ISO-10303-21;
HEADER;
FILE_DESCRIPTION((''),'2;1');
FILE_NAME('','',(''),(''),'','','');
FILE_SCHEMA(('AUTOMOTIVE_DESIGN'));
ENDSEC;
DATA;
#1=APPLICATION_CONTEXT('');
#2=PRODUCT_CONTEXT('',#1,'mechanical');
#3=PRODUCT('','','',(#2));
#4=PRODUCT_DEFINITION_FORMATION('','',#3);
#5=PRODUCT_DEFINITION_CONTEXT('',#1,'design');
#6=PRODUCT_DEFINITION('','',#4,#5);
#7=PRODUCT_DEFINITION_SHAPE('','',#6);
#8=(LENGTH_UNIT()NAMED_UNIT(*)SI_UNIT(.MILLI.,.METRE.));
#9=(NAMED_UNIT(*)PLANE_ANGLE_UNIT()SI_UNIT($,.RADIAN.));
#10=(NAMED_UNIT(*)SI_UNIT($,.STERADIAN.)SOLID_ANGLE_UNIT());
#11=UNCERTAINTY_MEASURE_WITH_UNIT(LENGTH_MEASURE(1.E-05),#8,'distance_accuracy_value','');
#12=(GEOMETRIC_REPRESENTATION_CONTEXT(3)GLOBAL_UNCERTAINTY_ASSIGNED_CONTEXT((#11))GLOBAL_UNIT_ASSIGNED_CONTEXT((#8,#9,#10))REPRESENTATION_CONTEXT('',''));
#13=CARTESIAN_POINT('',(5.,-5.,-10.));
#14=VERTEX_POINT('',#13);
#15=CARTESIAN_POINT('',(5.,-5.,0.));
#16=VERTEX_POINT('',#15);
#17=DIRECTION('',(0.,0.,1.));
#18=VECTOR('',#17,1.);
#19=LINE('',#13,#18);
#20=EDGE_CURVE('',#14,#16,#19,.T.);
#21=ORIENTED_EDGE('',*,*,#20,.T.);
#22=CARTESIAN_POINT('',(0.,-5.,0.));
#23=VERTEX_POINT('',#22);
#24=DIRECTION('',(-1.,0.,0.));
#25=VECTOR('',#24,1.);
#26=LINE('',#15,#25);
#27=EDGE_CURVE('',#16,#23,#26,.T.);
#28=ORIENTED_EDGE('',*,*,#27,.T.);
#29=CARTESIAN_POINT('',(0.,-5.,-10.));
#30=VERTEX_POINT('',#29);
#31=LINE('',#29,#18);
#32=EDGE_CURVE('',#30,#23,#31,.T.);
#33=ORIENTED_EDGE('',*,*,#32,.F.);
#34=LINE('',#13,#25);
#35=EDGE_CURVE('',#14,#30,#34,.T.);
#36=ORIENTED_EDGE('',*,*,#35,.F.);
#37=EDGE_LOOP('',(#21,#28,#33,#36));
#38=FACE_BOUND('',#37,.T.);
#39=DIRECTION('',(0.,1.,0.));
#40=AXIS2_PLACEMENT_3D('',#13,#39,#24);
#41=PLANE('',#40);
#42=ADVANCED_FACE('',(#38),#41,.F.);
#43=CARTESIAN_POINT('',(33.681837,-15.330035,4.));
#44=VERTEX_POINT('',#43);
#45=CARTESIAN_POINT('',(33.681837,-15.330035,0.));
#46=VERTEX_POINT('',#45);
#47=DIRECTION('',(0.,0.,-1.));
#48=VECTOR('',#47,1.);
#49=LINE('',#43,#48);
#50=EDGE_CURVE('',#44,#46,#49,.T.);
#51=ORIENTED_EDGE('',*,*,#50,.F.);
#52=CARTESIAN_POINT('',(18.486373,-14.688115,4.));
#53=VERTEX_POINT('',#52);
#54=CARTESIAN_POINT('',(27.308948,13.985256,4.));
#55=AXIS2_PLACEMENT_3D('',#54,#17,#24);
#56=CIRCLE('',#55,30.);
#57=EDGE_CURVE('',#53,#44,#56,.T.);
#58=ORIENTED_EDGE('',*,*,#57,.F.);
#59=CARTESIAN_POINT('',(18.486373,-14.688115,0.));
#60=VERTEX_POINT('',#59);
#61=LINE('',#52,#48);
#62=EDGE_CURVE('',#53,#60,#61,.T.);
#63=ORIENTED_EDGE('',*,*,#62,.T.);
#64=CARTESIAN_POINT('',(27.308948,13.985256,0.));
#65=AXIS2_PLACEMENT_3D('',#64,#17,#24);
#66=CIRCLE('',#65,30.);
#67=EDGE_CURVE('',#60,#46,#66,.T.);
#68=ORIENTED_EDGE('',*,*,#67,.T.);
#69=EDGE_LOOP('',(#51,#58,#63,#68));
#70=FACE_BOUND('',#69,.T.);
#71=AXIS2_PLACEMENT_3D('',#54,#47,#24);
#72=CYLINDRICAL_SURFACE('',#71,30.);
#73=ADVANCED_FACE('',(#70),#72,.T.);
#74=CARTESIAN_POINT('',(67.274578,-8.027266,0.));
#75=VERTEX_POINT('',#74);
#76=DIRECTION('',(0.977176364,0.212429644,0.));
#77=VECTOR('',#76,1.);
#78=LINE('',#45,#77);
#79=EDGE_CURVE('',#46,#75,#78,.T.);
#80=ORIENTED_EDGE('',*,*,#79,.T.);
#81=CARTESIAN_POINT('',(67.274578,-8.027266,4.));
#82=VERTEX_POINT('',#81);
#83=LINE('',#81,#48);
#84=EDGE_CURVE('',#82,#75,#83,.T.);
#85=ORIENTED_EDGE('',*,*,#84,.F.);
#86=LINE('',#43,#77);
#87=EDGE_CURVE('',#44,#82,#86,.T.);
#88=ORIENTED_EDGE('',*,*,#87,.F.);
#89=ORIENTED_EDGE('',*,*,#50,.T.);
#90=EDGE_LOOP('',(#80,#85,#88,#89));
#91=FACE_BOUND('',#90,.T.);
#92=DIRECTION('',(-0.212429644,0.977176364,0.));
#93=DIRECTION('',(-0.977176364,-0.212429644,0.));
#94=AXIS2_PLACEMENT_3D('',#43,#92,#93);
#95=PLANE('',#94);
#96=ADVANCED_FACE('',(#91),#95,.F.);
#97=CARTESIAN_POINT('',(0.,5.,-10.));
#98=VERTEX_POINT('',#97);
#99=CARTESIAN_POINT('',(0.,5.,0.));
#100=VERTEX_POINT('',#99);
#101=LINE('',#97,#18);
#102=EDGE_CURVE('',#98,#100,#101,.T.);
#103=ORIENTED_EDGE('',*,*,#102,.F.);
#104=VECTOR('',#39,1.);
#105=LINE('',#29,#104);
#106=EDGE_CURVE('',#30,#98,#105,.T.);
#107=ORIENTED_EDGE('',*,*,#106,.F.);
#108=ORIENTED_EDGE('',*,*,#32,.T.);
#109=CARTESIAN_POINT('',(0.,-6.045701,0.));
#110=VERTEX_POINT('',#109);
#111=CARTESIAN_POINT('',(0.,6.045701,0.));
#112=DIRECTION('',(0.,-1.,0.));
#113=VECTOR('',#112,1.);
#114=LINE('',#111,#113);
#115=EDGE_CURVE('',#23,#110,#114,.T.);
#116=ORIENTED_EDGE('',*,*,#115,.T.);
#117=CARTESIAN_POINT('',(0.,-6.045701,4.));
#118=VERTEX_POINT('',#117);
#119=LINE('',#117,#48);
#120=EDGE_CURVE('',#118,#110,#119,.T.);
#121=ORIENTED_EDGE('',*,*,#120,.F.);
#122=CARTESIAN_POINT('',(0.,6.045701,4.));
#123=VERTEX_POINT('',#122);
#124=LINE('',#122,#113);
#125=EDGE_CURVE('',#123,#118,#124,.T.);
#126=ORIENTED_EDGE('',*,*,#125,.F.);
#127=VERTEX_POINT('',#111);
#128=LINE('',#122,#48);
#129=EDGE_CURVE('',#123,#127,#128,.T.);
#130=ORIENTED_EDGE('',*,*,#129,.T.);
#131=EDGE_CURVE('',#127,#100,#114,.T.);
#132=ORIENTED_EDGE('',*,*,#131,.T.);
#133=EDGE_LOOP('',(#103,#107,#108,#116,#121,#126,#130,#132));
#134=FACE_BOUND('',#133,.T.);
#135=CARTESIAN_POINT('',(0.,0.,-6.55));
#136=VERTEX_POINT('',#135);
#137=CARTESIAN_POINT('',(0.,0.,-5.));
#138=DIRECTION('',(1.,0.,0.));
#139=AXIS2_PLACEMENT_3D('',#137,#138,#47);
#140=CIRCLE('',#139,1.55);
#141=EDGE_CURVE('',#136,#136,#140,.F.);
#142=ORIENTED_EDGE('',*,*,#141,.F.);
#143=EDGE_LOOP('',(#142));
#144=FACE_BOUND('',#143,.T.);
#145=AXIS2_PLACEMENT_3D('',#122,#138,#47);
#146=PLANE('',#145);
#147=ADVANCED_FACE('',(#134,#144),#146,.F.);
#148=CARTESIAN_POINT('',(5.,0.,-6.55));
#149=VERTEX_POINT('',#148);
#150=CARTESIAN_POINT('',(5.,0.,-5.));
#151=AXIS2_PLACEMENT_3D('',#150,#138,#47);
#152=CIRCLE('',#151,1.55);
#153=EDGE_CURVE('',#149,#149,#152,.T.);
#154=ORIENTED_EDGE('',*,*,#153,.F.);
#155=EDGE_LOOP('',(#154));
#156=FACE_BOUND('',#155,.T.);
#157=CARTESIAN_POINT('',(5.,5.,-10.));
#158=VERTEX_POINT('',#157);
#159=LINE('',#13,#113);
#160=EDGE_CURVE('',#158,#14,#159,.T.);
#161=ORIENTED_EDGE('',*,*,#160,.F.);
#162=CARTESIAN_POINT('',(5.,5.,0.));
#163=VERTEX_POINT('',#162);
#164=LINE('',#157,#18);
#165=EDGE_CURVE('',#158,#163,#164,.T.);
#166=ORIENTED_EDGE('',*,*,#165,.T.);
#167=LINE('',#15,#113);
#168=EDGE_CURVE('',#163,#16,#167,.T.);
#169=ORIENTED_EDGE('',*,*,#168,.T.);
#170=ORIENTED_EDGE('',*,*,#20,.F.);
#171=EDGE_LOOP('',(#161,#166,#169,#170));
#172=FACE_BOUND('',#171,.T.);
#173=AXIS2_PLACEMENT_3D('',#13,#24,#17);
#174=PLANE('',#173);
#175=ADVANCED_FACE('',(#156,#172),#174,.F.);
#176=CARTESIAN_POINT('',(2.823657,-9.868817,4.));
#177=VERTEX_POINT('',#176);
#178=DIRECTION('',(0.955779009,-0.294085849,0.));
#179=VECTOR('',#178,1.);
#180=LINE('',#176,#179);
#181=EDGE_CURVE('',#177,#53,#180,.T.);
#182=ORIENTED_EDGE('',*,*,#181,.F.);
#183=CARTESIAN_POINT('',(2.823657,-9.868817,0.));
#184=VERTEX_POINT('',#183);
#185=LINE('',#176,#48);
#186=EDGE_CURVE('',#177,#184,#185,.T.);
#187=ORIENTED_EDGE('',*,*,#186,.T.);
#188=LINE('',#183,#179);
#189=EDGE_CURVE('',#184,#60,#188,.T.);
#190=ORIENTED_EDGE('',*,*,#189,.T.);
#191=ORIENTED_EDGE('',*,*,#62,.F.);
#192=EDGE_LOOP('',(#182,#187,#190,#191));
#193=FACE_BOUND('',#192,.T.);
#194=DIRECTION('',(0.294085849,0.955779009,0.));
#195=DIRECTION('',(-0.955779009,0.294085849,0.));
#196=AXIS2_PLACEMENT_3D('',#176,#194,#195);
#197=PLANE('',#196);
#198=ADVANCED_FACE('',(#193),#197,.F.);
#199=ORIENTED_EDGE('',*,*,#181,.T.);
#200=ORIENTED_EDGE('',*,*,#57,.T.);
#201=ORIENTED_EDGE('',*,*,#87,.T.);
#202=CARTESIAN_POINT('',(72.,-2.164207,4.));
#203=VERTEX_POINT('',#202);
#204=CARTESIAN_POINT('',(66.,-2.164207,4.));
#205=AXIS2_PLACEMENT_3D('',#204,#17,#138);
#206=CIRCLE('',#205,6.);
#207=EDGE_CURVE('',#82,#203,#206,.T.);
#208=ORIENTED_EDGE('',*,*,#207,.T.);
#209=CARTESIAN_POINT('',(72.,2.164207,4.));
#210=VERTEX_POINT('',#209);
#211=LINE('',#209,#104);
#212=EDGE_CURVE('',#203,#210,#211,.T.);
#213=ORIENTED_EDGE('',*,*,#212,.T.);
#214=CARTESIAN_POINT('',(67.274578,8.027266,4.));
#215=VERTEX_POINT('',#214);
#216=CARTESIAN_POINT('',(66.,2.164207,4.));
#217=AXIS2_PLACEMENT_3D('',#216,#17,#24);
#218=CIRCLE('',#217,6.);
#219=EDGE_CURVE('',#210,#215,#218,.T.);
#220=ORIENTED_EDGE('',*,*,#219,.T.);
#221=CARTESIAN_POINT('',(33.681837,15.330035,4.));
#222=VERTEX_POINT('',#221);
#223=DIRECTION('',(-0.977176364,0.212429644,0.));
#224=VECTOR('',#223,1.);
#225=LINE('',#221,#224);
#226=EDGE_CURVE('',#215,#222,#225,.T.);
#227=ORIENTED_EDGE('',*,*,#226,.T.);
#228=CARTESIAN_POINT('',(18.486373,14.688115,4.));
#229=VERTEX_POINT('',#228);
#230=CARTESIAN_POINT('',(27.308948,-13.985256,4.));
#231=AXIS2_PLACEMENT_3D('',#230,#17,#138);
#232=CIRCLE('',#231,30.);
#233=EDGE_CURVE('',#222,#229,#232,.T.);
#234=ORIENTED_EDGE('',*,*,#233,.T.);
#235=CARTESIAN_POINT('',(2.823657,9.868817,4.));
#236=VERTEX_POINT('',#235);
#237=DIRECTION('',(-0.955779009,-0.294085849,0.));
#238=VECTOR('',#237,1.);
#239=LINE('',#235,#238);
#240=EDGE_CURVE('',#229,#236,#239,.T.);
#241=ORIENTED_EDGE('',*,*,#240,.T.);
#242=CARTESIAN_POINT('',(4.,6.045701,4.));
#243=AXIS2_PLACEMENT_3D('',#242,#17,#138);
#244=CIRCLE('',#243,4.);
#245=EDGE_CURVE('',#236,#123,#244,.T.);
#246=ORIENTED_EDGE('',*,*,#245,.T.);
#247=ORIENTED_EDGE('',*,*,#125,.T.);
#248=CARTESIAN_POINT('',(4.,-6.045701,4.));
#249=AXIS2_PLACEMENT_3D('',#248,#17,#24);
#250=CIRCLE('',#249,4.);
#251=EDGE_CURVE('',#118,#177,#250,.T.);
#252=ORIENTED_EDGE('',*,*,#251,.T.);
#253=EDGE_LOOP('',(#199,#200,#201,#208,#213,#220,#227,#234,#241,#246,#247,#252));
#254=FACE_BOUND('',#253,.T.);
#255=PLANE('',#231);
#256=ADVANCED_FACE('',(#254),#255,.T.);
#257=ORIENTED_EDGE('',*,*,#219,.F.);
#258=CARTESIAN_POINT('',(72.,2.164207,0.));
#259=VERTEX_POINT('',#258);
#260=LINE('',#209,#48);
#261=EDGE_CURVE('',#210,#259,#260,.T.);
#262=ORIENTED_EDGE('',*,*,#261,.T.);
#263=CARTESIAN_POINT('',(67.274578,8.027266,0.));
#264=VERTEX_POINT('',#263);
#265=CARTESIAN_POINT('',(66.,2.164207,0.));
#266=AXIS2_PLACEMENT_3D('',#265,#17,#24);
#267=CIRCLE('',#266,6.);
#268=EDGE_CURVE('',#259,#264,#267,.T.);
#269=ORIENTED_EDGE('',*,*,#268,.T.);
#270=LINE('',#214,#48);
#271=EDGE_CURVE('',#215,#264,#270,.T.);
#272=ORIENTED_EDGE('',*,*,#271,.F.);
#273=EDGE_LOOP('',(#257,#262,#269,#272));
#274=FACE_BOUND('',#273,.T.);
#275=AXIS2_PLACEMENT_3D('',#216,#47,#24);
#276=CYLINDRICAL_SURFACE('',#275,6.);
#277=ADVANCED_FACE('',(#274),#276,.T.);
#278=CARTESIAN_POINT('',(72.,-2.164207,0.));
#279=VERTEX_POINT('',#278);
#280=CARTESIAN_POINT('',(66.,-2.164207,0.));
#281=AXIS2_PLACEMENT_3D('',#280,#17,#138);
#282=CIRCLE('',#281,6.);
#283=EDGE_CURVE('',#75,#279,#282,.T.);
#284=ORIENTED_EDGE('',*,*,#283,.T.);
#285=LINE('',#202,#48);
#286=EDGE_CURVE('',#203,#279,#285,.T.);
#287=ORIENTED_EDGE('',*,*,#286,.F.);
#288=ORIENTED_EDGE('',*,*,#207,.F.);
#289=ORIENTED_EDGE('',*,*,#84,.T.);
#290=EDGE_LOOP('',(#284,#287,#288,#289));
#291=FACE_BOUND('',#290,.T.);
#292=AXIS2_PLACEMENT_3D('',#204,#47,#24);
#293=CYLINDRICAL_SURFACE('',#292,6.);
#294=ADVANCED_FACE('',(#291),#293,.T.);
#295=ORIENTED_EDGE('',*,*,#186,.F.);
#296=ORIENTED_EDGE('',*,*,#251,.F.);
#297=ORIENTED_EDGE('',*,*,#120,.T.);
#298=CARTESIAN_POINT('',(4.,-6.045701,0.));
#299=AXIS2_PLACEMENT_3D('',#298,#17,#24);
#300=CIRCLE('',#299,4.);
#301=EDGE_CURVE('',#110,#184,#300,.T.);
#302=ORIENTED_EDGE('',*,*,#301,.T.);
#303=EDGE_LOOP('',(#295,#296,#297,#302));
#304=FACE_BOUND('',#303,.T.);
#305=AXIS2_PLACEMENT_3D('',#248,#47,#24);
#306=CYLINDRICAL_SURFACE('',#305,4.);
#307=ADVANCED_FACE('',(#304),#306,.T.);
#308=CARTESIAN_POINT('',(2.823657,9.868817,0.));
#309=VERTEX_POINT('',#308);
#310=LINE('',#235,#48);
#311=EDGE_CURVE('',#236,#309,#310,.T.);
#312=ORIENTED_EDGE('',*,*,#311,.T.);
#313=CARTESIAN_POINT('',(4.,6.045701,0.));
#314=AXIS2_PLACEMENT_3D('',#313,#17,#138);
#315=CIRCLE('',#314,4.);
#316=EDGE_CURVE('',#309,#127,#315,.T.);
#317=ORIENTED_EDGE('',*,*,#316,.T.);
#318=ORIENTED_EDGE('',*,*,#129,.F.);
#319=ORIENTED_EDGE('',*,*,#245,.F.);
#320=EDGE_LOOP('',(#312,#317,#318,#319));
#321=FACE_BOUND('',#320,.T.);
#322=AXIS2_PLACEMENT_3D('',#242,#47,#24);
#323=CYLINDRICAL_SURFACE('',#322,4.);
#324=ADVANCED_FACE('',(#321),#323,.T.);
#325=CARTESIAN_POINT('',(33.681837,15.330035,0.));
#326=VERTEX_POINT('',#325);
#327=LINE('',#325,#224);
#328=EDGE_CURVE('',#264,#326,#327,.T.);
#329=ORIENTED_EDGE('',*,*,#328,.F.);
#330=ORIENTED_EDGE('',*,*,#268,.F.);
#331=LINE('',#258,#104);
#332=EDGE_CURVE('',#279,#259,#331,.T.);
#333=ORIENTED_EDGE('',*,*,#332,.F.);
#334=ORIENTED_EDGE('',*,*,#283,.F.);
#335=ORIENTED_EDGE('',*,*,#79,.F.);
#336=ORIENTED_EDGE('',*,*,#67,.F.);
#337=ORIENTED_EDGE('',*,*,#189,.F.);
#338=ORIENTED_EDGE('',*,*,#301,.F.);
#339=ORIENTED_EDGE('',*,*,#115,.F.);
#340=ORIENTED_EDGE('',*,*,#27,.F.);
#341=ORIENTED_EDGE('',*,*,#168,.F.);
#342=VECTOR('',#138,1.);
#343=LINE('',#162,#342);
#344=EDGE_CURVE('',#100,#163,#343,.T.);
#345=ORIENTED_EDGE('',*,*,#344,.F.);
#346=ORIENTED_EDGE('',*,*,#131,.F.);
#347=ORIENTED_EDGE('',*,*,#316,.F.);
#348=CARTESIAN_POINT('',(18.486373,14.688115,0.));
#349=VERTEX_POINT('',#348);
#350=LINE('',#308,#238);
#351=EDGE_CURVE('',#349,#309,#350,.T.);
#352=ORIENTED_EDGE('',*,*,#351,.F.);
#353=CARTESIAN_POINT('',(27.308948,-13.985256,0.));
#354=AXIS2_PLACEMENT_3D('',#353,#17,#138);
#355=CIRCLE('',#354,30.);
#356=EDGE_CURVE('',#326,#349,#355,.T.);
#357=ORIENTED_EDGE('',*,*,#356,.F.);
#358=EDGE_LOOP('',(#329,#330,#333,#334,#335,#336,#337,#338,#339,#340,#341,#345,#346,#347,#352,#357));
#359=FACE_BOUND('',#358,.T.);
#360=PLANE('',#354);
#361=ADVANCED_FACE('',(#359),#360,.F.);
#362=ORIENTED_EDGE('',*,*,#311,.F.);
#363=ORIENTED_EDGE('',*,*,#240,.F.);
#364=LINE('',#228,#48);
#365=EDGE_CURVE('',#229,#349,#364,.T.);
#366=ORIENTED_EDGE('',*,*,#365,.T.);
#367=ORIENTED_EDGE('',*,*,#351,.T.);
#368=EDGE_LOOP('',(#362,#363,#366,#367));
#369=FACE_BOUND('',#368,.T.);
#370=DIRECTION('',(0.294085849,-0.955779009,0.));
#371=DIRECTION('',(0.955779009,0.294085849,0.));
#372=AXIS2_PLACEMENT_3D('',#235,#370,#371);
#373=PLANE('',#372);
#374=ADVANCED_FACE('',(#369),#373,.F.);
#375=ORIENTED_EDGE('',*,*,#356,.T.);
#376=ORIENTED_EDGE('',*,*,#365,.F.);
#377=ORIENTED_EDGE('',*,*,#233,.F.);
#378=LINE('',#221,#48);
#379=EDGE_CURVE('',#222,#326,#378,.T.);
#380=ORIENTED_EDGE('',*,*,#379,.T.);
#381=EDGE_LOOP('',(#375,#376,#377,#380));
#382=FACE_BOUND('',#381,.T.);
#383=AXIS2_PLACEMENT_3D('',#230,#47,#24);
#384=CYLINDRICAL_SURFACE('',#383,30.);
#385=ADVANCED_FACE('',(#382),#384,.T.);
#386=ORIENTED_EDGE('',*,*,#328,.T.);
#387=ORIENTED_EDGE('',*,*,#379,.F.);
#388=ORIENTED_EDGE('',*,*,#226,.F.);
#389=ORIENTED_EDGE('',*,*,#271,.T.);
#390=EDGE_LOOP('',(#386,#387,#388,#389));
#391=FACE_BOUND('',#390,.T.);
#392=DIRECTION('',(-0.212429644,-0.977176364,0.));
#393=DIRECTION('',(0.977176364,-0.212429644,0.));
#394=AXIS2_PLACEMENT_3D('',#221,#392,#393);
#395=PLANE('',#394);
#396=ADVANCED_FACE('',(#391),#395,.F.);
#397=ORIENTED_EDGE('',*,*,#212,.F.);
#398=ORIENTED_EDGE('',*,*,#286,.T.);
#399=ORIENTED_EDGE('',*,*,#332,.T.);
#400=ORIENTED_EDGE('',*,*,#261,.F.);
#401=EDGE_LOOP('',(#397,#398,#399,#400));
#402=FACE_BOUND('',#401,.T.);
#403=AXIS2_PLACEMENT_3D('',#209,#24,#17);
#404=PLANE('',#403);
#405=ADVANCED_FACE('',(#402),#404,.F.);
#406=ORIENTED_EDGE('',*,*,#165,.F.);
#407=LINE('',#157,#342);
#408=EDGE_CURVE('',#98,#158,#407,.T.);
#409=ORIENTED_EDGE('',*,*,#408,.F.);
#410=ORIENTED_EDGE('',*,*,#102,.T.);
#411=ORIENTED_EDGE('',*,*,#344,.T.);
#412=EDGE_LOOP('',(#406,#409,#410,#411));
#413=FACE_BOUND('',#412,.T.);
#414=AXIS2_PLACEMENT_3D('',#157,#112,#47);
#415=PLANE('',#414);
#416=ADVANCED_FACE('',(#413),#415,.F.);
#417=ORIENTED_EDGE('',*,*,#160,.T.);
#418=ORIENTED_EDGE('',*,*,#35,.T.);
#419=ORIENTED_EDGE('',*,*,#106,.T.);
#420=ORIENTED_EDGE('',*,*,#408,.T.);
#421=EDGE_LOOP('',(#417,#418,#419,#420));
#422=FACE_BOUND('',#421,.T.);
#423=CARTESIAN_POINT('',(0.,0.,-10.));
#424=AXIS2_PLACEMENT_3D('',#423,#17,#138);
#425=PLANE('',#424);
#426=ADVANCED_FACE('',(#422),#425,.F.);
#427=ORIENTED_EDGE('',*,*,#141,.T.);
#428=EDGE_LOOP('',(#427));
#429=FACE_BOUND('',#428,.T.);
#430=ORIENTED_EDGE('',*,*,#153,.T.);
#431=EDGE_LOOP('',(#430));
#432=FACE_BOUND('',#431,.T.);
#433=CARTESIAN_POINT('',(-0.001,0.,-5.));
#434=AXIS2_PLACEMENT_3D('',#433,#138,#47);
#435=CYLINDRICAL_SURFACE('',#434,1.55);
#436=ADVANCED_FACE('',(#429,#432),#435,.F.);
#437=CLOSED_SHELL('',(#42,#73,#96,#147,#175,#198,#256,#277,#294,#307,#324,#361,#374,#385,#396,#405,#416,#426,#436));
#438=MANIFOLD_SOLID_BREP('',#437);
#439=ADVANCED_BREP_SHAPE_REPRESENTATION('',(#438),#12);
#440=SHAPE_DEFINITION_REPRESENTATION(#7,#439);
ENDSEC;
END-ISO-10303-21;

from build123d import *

# Parameters (mm, degrees)
BOSS_EXTRUDE1_DEPTH = 4
SKETCH2_W           = 5
SKETCH2_H           = 10
BOSS_EXTRUDE2_DEPTH = 10
CUT_EXTRUDE1_REACH  = 7
SKETCH3_R           = 1.55


with BuildPart() as part:
    # Sketch1 → Boss-Extrude1 (new body)
    with BuildSketch(Plane.XY):
        with BuildLine():
            Line((2.823656605, 9.868817417), (18.486372689, 14.688114674))
            ThreePointArc((18.486372689, 14.688114674), (26.042750669, 15.988011567), (33.681837484, 15.33003533))
            Line((33.681837484, 15.33003533), (67.274577866, 8.027265681))
            ThreePointArc((67.274577866, 8.027265681), (70.67158791, 5.929345796), (72, 2.164207498))
            Line((72, 2.164207498), (72, -2.164207498))
            ThreePointArc((72, -2.164207498), (70.67158791, -5.929345796), (67.274577866, -8.027265681))
            Line((67.274577866, -8.027265681), (33.681837484, -15.33003533))
            ThreePointArc((33.681837484, -15.33003533), (26.042750669, -15.988011567), (18.486372689, -14.688114674))
            Line((18.486372689, -14.688114674), (2.823656605, -9.868817417))
            ThreePointArc((2.823656605, -9.868817417), (0.782440864, -8.422109009), (0, -6.045701382))
            Line((0, -6.045701382), (0, 6.045701382))
            ThreePointArc((0, 6.045701382), (0.782440864, 8.422109009), (2.823656605, 9.868817417))
        make_face()
    extrude(amount=BOSS_EXTRUDE1_DEPTH)

    # Sketch2 → Boss-Extrude2 (add)
    with BuildSketch(Plane(origin=(0, 0, 0), x_dir=(-1, 0, 0), z_dir=(0, 0, -1))):
        with Locations((-2.5, 0)):
            Rectangle(SKETCH2_W, SKETCH2_H)
    extrude(amount=BOSS_EXTRUDE2_DEPTH)

    # Sketch3 → Cut-Extrude1 (cut, up to next)
    with BuildSketch(Plane(origin=(5, 0, 0), x_dir=(0, 0, -1), z_dir=(1, 0, 0)), mode=Mode.PRIVATE) as cut_extrude1_sk1:
        with Locations((5, 0)):
            Circle(SKETCH3_R)
    cut_extrude1_tool1 = extrude(cut_extrude1_sk1.sketch, amount=-CUT_EXTRUDE1_REACH, mode=Mode.PRIVATE) & part.part
    add(cut_extrude1_tool1.solids().sort_by_distance((5, 0, -5))[0], mode=Mode.SUBTRACT)


solid = part.part
